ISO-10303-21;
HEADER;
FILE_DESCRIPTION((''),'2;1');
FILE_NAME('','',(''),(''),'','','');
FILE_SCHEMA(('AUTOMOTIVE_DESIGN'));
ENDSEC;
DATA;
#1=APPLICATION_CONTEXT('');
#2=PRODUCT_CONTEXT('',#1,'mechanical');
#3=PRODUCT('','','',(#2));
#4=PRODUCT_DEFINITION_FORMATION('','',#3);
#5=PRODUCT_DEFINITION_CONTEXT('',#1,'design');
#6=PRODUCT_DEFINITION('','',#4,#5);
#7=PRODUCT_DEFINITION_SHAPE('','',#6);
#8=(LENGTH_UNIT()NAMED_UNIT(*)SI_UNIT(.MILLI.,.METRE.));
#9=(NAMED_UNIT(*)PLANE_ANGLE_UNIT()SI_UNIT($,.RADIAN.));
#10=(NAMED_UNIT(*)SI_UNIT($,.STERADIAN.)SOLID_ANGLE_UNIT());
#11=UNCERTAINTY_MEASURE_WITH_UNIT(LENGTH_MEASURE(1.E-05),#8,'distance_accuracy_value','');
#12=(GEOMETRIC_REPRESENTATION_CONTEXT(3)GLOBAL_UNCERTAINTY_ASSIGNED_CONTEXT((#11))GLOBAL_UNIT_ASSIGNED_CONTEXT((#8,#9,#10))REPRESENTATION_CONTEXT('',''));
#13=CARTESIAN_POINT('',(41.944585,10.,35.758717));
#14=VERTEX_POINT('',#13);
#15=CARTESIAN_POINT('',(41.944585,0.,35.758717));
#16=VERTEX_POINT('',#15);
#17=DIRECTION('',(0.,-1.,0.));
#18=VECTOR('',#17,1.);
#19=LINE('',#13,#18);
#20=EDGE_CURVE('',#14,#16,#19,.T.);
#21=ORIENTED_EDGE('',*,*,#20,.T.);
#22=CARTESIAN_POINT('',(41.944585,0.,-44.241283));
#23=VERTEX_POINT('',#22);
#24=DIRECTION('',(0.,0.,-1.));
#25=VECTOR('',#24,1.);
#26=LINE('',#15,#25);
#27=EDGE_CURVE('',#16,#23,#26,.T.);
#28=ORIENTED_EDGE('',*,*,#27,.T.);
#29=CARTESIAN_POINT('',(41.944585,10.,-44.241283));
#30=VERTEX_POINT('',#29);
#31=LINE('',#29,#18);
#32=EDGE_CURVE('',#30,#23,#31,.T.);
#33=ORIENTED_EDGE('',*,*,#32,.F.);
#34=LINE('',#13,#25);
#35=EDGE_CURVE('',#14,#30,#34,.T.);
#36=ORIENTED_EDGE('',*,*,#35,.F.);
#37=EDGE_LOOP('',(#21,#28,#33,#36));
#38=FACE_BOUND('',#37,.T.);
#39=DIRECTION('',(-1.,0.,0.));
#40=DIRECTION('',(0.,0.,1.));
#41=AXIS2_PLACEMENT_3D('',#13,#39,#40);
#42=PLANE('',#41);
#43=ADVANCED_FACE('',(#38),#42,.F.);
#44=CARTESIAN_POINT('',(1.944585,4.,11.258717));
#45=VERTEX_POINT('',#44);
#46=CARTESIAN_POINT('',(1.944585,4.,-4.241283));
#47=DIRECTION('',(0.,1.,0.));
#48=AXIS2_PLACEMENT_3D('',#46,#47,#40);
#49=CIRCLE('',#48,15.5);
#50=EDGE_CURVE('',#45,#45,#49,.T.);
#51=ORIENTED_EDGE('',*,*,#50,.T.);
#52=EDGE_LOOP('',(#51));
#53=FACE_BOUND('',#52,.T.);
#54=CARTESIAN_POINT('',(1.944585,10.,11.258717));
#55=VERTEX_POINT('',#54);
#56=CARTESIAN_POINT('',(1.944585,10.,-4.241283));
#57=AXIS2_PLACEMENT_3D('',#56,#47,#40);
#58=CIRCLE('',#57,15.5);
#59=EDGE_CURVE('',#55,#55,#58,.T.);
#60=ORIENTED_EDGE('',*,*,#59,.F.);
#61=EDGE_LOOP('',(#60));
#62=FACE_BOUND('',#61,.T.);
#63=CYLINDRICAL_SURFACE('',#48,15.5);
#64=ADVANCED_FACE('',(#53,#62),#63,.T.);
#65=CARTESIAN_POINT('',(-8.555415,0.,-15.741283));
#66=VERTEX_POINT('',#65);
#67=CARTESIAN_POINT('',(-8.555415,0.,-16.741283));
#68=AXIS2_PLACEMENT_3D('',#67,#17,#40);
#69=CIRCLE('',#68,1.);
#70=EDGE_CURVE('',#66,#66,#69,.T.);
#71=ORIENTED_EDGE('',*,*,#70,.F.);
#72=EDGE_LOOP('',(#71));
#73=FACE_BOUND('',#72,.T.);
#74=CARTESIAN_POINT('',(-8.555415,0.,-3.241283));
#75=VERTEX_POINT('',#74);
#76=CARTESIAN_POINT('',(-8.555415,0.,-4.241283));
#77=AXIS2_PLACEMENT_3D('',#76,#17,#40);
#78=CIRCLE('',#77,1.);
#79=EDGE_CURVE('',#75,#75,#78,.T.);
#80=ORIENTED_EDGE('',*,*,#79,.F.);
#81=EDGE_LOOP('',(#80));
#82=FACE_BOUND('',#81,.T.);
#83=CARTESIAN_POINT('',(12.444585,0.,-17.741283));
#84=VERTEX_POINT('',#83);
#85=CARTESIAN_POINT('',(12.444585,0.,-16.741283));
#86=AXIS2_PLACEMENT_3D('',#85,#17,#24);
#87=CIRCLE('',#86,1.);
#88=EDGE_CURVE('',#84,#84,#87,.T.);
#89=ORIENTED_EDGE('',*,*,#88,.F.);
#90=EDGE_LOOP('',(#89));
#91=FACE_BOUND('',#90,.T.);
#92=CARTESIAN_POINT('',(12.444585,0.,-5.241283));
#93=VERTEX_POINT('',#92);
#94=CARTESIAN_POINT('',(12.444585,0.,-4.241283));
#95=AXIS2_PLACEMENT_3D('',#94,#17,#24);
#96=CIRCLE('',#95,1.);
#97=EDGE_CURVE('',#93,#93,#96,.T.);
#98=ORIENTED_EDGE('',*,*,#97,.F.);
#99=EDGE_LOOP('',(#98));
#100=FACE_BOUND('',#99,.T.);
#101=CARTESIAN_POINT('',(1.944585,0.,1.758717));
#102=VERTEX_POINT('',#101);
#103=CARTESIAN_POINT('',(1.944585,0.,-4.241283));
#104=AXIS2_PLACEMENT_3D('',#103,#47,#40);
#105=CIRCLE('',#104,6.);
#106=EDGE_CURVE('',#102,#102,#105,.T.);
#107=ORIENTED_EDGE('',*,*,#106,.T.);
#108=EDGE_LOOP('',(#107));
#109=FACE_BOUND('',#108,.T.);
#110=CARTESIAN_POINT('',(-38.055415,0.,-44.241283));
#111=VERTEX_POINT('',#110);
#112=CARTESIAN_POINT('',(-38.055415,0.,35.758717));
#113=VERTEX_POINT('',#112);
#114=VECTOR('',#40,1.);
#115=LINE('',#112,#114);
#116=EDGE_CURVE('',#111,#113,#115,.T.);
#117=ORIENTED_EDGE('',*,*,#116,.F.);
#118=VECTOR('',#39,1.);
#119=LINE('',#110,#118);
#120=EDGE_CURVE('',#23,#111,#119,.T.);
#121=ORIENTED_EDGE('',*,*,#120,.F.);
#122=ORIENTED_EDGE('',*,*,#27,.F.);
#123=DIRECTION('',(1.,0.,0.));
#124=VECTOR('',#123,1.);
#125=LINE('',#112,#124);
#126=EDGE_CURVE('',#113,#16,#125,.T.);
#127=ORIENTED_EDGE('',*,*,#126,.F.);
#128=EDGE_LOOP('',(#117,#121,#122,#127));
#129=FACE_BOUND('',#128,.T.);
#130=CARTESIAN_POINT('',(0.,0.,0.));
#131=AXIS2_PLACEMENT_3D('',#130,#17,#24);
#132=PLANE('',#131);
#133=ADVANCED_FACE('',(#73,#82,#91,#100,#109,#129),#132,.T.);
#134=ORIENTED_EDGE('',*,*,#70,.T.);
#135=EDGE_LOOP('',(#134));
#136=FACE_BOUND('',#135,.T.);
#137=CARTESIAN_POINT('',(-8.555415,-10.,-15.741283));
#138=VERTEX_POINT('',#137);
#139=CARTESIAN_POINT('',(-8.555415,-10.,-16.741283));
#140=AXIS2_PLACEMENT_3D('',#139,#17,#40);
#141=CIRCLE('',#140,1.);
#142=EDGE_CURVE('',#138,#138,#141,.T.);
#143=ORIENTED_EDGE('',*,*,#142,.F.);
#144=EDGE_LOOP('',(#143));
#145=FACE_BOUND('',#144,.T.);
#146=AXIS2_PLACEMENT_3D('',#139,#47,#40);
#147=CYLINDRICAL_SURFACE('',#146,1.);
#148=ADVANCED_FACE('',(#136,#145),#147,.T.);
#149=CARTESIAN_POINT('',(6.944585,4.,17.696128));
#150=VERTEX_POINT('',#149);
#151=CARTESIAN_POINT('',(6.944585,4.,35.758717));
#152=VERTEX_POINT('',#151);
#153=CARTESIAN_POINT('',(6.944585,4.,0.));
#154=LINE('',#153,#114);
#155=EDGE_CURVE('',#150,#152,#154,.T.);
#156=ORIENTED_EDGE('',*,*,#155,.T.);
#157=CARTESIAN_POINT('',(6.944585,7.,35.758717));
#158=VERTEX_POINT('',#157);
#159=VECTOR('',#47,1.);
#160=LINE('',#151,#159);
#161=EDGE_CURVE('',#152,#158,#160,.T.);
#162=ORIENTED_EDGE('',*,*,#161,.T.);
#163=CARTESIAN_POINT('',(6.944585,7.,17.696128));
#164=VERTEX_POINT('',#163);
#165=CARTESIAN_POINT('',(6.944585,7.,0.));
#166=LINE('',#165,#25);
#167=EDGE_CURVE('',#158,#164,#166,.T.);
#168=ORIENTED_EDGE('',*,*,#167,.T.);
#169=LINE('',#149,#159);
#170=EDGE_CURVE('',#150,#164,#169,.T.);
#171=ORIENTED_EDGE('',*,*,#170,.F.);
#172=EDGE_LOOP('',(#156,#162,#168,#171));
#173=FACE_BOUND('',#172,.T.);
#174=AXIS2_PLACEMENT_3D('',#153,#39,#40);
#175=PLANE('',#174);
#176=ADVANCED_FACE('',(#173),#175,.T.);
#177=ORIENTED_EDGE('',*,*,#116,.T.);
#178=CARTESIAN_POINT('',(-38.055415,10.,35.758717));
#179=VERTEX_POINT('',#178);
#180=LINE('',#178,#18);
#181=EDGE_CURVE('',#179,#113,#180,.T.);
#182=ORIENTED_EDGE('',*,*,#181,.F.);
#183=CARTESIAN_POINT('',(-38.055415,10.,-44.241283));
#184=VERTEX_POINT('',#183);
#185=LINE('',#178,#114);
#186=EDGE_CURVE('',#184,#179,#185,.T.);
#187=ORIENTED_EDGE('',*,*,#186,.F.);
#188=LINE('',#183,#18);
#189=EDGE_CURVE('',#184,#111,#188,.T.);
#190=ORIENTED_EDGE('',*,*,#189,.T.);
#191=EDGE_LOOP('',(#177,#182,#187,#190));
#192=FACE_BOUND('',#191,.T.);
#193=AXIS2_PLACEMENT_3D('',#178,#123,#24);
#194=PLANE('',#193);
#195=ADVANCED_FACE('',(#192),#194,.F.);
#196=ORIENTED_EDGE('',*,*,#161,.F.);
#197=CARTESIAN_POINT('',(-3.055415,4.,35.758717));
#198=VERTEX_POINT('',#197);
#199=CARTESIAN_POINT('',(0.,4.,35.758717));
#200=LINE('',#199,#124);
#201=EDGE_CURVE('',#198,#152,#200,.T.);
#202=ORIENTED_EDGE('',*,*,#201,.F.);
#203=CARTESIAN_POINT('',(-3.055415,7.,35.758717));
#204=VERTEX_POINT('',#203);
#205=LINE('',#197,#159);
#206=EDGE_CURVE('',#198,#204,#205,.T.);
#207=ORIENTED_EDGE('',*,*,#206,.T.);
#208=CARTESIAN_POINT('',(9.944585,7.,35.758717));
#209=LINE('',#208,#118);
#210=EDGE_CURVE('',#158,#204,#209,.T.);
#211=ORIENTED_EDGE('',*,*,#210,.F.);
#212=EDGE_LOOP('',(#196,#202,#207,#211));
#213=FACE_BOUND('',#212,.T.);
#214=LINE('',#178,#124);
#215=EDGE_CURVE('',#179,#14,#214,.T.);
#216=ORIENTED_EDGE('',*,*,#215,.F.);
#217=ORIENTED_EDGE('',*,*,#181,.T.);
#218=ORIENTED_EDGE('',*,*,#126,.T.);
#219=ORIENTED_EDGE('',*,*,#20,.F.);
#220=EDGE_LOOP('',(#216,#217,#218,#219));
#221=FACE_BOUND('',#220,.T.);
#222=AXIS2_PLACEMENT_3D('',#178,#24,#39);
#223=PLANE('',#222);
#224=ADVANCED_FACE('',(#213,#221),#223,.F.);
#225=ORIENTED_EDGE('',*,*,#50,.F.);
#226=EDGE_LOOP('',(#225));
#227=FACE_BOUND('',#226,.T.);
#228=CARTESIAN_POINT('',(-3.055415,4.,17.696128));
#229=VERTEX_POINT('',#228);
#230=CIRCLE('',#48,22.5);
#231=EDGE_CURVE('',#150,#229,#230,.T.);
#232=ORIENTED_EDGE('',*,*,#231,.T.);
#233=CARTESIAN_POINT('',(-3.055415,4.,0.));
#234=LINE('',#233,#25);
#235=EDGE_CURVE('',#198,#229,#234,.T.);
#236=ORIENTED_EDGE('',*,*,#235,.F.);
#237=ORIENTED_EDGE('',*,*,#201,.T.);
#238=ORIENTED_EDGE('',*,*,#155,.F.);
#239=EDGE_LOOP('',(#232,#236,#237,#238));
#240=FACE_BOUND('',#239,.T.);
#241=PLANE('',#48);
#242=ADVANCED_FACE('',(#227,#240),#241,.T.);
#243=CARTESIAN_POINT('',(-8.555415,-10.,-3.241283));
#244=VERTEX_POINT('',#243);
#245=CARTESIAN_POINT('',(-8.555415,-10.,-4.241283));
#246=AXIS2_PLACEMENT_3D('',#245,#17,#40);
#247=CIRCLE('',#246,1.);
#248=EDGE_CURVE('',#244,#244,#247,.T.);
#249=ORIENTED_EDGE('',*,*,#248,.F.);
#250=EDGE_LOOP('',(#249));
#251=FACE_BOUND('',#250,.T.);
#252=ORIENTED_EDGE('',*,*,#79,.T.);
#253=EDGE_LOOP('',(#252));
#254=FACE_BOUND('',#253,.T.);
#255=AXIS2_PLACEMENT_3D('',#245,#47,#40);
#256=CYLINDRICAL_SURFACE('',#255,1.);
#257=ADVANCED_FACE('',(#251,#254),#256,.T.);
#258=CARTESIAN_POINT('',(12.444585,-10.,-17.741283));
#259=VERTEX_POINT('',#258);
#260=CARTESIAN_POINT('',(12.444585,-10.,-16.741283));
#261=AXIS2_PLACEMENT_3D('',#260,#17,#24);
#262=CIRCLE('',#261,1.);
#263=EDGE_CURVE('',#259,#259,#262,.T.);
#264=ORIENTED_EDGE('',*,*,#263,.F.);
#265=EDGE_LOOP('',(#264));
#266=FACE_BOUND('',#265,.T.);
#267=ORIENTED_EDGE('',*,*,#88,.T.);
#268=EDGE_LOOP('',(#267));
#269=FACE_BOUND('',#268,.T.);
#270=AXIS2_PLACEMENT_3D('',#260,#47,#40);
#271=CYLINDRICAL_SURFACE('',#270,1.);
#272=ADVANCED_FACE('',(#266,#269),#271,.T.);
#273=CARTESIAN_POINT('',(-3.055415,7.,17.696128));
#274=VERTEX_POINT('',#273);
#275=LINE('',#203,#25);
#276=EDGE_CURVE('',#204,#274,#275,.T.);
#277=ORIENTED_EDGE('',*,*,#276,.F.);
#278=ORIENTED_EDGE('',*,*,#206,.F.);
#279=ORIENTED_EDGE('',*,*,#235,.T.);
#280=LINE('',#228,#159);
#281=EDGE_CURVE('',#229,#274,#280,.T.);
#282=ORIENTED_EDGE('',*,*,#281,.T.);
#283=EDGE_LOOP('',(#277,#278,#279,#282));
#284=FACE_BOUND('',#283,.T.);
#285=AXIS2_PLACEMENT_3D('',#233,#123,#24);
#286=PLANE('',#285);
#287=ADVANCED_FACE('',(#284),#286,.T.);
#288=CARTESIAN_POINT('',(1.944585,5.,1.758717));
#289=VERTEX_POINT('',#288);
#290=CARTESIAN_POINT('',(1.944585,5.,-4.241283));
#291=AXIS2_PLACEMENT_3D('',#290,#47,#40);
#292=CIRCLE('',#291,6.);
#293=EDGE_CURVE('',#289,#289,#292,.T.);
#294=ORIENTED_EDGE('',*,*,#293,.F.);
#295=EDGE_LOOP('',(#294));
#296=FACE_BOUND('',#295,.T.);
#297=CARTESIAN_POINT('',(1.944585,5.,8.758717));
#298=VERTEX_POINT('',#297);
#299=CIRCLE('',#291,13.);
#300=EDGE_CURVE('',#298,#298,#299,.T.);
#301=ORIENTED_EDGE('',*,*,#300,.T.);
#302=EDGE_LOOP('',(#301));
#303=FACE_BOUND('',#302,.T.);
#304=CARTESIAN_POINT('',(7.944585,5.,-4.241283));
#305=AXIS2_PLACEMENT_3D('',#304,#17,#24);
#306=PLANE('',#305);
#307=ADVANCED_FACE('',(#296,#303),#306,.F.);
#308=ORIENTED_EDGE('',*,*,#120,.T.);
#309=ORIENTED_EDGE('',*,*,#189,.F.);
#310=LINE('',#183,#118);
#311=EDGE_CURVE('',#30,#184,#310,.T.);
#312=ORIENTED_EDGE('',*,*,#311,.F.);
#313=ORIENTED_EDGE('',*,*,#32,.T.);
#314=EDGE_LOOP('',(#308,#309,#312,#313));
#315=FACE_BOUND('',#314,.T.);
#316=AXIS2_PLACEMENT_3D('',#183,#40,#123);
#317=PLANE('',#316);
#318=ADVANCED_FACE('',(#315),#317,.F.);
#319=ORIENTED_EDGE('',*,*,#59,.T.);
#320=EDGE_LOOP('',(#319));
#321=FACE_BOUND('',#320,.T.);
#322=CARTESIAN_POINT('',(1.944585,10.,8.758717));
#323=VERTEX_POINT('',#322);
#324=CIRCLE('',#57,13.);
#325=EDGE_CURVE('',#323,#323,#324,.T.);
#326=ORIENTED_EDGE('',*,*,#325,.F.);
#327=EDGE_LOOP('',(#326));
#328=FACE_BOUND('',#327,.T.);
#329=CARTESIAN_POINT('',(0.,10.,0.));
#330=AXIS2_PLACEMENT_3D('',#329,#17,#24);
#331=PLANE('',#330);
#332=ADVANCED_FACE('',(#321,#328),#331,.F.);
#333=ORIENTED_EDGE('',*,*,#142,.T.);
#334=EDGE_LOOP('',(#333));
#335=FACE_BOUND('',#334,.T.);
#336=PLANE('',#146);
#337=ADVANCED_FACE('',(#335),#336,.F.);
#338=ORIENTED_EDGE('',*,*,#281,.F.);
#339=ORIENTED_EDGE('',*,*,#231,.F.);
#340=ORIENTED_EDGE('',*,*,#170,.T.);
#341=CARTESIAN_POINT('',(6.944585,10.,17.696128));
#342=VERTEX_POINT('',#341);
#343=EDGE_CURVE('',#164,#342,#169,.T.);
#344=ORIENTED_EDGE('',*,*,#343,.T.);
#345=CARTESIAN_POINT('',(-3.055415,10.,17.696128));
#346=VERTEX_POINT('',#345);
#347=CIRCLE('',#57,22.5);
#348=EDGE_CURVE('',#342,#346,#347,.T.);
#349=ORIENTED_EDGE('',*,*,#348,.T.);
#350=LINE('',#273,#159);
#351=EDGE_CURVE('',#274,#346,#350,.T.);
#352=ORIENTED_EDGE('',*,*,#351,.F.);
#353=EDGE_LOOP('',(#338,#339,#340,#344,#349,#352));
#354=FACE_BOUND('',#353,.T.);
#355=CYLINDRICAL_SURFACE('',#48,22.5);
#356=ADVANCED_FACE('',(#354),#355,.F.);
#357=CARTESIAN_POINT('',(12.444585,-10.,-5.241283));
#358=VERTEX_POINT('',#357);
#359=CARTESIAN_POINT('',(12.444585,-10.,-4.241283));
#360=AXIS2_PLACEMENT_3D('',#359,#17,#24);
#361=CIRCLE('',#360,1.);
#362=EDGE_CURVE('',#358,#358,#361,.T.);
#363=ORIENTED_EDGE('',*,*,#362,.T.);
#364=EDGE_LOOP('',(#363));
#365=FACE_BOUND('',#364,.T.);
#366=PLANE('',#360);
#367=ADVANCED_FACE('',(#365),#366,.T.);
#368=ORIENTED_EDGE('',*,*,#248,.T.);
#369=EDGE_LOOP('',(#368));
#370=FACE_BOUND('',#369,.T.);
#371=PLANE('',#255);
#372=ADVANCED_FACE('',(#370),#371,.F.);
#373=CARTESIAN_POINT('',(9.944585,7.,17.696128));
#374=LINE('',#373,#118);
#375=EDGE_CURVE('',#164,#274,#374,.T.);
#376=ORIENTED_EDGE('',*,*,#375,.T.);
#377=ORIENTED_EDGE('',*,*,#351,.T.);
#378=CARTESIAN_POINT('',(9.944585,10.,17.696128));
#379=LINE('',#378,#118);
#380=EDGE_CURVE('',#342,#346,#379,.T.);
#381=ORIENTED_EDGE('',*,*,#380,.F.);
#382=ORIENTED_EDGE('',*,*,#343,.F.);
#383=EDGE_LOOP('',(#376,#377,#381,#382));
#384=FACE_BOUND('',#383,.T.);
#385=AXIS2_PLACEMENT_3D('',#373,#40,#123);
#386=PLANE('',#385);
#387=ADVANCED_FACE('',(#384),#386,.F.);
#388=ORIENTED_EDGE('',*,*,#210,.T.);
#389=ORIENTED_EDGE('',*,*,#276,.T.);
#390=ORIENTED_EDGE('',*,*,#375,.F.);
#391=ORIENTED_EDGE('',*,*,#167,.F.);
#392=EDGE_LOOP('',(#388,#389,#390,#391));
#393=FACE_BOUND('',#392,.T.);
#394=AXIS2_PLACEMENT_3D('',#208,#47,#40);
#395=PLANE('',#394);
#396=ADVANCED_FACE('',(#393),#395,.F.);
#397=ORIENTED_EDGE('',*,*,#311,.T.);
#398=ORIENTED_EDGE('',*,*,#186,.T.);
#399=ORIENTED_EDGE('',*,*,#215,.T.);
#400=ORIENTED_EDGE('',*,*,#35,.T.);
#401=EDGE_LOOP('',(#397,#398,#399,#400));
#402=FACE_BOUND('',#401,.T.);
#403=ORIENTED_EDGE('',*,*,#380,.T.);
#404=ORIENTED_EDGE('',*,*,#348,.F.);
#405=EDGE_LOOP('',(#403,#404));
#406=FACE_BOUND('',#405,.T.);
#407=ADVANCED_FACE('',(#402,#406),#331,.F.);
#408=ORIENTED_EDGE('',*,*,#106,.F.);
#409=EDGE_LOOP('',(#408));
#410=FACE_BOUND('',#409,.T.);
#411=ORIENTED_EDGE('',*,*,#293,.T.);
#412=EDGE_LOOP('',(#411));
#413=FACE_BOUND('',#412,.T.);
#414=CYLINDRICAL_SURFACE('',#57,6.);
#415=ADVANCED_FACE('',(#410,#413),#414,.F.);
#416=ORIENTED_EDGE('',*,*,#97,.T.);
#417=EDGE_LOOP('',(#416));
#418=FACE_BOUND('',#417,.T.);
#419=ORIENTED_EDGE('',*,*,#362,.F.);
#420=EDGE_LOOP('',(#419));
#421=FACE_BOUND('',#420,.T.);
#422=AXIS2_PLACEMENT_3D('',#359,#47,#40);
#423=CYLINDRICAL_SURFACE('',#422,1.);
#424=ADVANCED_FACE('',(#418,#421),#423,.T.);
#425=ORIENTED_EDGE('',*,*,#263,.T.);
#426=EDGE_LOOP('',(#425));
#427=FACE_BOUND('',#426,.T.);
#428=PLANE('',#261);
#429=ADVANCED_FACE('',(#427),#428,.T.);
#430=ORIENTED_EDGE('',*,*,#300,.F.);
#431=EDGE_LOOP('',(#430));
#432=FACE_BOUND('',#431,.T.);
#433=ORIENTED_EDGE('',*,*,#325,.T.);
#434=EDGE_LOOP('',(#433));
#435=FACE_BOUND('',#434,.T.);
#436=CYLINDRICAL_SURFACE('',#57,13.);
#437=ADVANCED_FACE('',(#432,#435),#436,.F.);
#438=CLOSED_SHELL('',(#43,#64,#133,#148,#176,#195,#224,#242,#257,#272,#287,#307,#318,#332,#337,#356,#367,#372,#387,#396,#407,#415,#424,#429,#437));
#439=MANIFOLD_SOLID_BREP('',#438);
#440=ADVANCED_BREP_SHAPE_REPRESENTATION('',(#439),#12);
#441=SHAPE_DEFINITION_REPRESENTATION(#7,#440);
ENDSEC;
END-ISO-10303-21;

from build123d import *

# Parameters (mm, degrees)
SKETCH28_W                                   = 80
SKETCH28_H                                   = 80
BOSS_EXTRUDE1_DEPTH                          = 10
CBORE_FOR_M10_CHEESE_HEAD_SCREW1_D           = 12
CBORE_FOR_M10_CHEESE_HEAD_SCREW1_CBORE_D     = 26
CBORE_FOR_M10_CHEESE_HEAD_SCREW1_CBORE_DEPTH = 5
SKETCH36_R                                   = 1
BOSS_EXTRUDE5_DEPTH                          = 10
SKETCH37_R                                   = 22.5
SKETCH37_R_2                                 = 15.5
CUT_EXTRUDE2_DEPTH                           = 6
CUT_EXTRUDE6_DEPTH                           = 6
SKETCH40_W                                   = 18.062589032
SKETCH40_H                                   = 3
BOSS_EXTRUDE7_DEPTH                          = 13


with BuildPart() as part:
    # Sketch28 → Boss-Extrude1 (new body)
    with BuildSketch(Plane(origin=(0, 0, 0), x_dir=(1, 0, 0), z_dir=(0, 1, 0))):
        with Locations((1.944585414, 4.241283073)):
            Rectangle(SKETCH28_W, SKETCH28_H)
    extrude(amount=BOSS_EXTRUDE1_DEPTH)

    # CBORE for M10 Cheese Head Screw1 (through all)
    with Locations(Plane(origin=(0, 10, 0), x_dir=(1, 0, 0), z_dir=(0, 1, 0))):
        with Locations((1.944585414, 4.241283073)):
            CounterBoreHole(CBORE_FOR_M10_CHEESE_HEAD_SCREW1_D / 2, CBORE_FOR_M10_CHEESE_HEAD_SCREW1_CBORE_D / 2, CBORE_FOR_M10_CHEESE_HEAD_SCREW1_CBORE_DEPTH)

    # Sketch36 → Boss-Extrude5 (add)
    with BuildSketch(Plane.XZ):
        with Locations(Location((12.444585414, -16.741283073, 0), (0, 0, 270))):
            Circle(SKETCH36_R)
        with Locations(Location((12.444585414, -4.241283073, 0), (0, 0, 270))):
            Circle(SKETCH36_R)
        with Locations(Location((-8.555414586, -16.741283073, 0), (0, 0, 90))):
            Circle(SKETCH36_R)
        with Locations(Location((-8.555414586, -4.241283073, 0), (0, 0, 90))):
            Circle(SKETCH36_R)
    extrude(amount=BOSS_EXTRUDE5_DEPTH)

    # Sketch37 → Cut-Extrude2 (cut)
    with BuildSketch(Plane(origin=(0, 10, 0), x_dir=(1, 0, 0), z_dir=(0, 1, 0))):
        with Locations(Location((1.944585414, 4.241283073, 0), (0, 0, 270))):
            Circle(SKETCH37_R)
        with Locations(Location((1.944585414, 4.241283073, 0), (0, 0, 270))):
            Circle(SKETCH37_R_2, mode=Mode.SUBTRACT)
    extrude(amount=-CUT_EXTRUDE2_DEPTH, mode=Mode.SUBTRACT)

    # Sketch39 → Cut-Extrude6 (cut)
    with BuildSketch(Plane(origin=(0, 10, 0), x_dir=(1, 0, 0), z_dir=(0, 1, 0))):
        with BuildLine():
            Line((6.944585414, -35.758716927), (6.944585414, -17.696127895))
            ThreePointArc((6.944585414, -17.696127895), (1.944585414, -18.258716927), (-3.055414586, -17.696127895))
            Line((-3.055414586, -17.696127895), (-3.055414586, -35.758716927))
            Line((-3.055414586, -35.758716927), (1.944585414, -35.758716927))
            Line((1.944585414, -35.758716927), (6.944585414, -35.758716927))
        make_face()
    extrude(amount=-CUT_EXTRUDE6_DEPTH, mode=Mode.SUBTRACT)

    # Sketch40 → Boss-Extrude7 (add)
    with BuildSketch(Plane(origin=(-3.055414586, 0, 0), x_dir=(0, 0, -1), z_dir=(1, 0, 0))):
        with Locations((-26.727422411, 8.5)):
            Rectangle(SKETCH40_W, SKETCH40_H)
    extrude(amount=BOSS_EXTRUDE7_DEPTH)


solid = part.part
